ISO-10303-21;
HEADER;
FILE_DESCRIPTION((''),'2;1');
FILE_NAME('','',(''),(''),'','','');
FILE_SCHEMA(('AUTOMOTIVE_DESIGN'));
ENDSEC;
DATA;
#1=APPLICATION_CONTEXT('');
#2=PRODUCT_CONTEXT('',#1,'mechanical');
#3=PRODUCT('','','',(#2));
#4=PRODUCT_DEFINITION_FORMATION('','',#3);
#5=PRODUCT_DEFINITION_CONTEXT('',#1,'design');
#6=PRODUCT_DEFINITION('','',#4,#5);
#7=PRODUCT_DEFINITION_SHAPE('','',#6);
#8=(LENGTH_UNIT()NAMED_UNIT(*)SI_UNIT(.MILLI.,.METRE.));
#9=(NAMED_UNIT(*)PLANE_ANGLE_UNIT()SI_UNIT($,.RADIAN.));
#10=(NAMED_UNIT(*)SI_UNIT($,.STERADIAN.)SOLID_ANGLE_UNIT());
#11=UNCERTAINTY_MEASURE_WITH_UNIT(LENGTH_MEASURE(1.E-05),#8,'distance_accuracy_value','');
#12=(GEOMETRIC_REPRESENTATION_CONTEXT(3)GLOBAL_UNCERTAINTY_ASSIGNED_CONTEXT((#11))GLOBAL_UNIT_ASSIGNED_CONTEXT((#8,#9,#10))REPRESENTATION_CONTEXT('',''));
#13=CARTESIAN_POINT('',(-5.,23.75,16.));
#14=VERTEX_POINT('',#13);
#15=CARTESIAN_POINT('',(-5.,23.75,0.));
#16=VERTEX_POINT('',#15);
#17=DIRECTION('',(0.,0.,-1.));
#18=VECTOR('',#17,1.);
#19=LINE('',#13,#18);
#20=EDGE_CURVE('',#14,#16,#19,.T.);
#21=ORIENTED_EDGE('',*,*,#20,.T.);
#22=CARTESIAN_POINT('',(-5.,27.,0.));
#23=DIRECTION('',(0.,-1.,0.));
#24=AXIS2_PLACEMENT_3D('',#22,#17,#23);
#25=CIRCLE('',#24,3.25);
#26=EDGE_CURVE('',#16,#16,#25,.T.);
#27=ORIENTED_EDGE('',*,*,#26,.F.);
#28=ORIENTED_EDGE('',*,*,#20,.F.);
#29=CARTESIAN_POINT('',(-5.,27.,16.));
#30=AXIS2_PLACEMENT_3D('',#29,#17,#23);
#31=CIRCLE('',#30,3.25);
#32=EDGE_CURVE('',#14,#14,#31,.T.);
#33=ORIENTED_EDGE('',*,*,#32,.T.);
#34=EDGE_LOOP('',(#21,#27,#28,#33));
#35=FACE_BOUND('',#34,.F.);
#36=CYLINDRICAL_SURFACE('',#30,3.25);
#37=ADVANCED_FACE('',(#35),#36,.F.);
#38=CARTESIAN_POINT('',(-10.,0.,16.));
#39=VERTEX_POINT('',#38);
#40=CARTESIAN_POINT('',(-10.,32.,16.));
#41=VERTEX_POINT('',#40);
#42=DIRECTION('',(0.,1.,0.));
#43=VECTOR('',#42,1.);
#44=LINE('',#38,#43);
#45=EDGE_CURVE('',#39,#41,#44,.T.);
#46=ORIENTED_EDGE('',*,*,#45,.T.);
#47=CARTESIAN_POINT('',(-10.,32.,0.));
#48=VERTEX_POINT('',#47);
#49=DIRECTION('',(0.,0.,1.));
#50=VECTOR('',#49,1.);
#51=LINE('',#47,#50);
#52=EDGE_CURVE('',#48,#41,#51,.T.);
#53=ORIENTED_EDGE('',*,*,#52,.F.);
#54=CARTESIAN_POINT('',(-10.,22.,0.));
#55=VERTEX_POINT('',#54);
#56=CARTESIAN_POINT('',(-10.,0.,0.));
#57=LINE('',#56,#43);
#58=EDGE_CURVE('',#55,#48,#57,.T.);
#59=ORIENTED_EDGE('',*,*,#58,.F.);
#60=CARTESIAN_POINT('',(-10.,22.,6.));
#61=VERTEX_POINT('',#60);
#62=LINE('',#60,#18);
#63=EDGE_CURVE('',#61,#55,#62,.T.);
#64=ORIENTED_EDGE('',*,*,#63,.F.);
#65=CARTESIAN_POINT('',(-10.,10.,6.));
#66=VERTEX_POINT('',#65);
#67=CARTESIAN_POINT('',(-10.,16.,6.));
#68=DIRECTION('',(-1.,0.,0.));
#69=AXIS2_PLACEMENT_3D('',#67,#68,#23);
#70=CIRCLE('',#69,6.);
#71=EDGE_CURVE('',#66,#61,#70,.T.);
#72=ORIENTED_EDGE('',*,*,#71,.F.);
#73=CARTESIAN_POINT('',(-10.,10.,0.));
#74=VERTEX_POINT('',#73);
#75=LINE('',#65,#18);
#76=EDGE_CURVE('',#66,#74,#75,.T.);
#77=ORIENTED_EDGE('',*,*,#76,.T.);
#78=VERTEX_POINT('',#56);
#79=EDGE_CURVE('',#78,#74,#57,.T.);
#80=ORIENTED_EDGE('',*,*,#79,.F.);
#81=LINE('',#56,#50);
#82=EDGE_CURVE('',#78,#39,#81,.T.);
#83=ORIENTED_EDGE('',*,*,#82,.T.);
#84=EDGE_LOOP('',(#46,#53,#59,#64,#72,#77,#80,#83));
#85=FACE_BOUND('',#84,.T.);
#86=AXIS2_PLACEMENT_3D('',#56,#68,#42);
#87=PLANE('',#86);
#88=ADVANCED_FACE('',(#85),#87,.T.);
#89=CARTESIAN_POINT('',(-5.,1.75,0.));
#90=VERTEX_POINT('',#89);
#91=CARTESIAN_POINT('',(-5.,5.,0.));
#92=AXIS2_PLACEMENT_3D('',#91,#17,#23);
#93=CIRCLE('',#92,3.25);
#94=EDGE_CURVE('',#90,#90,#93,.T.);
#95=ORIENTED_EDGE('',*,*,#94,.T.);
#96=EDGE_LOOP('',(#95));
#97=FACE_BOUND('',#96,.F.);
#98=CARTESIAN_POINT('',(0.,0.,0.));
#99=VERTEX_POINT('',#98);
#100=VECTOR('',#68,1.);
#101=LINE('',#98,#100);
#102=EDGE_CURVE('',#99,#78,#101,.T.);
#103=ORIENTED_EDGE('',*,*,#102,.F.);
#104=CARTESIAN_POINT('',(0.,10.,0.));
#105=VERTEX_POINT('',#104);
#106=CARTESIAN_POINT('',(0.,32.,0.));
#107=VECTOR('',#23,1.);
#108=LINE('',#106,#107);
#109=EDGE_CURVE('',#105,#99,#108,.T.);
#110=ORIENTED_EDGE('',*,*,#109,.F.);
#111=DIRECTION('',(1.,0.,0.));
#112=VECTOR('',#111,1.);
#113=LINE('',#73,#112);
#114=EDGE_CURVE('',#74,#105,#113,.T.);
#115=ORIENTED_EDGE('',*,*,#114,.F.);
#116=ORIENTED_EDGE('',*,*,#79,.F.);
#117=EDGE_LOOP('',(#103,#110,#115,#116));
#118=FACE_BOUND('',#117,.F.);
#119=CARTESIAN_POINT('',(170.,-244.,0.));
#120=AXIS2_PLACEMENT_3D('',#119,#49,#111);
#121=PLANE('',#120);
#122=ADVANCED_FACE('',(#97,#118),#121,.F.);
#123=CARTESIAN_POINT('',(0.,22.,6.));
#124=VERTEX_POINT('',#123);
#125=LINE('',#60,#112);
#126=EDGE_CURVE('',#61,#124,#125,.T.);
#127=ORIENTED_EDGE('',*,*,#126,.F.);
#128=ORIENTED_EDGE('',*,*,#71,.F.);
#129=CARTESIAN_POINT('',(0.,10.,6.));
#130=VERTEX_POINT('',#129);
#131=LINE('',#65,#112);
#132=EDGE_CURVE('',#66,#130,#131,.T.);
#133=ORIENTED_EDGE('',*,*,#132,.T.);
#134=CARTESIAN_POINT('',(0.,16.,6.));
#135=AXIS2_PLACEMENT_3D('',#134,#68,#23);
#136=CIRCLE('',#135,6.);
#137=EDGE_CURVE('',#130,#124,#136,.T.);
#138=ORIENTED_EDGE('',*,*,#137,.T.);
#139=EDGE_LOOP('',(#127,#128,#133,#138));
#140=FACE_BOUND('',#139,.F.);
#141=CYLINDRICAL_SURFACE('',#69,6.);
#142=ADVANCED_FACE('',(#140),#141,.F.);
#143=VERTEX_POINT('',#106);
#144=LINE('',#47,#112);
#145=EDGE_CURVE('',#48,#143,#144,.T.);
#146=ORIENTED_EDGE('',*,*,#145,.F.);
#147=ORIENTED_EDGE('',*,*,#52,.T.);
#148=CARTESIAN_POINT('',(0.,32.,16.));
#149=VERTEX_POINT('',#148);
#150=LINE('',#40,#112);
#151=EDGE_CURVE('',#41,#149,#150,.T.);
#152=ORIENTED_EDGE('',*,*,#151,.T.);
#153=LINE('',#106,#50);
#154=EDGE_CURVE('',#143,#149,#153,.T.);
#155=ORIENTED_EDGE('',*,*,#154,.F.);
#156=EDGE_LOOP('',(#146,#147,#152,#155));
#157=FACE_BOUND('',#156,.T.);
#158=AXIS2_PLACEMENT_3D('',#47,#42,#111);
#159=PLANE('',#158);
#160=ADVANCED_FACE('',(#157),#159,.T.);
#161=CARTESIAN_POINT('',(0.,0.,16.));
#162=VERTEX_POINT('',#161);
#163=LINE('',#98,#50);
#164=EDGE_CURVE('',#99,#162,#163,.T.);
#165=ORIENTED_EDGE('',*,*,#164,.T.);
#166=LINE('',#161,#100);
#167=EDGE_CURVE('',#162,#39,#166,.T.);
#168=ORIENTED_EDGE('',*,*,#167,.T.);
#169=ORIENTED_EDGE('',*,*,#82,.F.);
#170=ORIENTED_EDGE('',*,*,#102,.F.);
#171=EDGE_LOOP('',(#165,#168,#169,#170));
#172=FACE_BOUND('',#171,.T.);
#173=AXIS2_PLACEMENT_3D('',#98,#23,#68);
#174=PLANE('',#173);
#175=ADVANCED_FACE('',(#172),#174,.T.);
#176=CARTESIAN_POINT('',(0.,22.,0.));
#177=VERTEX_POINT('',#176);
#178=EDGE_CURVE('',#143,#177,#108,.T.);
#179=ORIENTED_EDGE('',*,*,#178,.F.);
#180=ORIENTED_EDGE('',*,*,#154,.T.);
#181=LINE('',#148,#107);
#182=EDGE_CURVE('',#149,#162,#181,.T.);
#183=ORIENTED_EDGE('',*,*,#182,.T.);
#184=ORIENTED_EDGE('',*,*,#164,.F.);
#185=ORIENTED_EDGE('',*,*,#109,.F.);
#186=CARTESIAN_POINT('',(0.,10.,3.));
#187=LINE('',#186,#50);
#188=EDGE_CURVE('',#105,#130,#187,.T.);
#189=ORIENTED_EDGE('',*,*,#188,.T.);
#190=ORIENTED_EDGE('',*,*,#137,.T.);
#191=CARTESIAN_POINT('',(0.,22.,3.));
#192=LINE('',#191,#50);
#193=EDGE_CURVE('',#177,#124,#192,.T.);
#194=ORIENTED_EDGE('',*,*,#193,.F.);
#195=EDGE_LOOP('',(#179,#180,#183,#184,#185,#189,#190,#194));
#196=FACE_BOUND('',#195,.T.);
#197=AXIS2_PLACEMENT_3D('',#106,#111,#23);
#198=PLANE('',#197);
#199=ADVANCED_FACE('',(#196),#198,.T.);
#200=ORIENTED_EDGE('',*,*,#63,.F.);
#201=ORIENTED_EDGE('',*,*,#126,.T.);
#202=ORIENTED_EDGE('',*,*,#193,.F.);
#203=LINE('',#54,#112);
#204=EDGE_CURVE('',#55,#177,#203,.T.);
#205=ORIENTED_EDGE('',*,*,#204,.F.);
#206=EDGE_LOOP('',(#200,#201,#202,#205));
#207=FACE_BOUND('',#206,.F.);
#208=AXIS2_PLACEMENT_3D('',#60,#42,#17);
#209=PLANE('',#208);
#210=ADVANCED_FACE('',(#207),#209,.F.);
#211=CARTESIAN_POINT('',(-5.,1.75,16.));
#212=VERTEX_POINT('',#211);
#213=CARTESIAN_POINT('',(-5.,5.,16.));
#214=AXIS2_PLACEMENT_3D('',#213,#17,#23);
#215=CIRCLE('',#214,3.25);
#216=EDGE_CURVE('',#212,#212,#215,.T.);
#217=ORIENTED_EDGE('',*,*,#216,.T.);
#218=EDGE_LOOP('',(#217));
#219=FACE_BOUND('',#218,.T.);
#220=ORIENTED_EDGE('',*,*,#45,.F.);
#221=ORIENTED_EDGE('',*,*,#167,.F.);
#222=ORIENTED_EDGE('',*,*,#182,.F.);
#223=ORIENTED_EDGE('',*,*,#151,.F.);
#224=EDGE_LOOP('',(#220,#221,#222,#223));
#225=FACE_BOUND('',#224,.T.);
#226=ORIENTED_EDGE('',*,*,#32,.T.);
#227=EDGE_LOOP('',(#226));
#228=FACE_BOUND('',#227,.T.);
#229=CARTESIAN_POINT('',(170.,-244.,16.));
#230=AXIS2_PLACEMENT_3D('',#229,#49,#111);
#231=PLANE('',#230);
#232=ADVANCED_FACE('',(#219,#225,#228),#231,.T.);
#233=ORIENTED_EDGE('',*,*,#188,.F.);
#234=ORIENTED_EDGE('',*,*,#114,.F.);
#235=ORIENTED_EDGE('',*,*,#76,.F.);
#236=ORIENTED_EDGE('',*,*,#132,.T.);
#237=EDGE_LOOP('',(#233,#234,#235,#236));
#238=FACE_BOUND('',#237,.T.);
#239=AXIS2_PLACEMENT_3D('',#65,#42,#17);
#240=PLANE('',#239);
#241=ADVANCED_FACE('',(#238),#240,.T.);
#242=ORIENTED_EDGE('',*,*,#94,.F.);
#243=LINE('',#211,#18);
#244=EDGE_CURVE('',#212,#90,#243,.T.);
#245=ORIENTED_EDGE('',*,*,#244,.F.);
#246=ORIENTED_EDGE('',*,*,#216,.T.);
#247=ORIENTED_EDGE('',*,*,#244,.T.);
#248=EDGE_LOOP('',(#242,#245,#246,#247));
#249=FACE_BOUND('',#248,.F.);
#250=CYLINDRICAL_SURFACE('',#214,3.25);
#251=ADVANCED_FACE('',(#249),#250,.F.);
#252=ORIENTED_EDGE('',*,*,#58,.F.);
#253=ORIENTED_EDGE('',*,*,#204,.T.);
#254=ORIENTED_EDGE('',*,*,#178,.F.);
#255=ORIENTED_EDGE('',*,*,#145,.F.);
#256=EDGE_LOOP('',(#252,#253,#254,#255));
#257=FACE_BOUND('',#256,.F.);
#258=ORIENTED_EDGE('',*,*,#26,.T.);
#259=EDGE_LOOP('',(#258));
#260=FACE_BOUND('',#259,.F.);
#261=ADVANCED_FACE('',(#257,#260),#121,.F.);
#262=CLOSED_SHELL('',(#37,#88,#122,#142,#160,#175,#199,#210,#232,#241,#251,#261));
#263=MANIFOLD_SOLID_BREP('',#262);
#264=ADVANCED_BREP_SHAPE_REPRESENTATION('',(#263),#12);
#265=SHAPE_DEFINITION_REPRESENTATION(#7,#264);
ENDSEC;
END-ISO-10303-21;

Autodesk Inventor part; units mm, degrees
ref_plane "YZ Plane" through (0, 0, 0) normal (1, 0, 0) x (0, 1, 0)
ref_plane "XZ Plane" through (0, 0, 0) normal (0, 1, 0) x (-1, 0, 0)
ref_plane "XY Plane" through (0, 0, 0) normal (0, 0, 1) x (1, 0, 0)
ref_plane "Work Plane1" through (170, -244, 0) normal (0, 0, 1) x (1, 0, 0)
sketch "Sketch1" plane through (170, -244, 0) normal (0, 0, 1) x (1, 0, 0)
  line L0 (-170, 244) -> (-180, 244)
  line L1 (-180, 244) -> (-180, 276)
  line L2 (-180, 276) -> (-170, 276)
  line L3 (-170, 276) -> (-170, 244)
  dimension "d0" = 10
  dimension "d1" = 32
extrude "Extrusion1" add sketch "Sketch1" along normal blind 16
sketch "Sketch2" plane through (-10, 0, 0) normal (-1, 0, 0) x (0, 0, 1)
  arc A0 (6, 10) -> (6, 22) centre (6, 16) ccw
  line L0 (0, 32) -> (16, 32) projected
  line L1 (0, 38.4) -> (0, -6.4) projected
  line L2 (6, 10) -> (0, 10)
  line L3 (0, 32) -> (0, 0) projected
  line L4 (6, 22) -> (0, 22)
  line L5 (0, 10) -> (0, 22)
  dimension "d4" = 12
  dimension "d5" = 16
  dimension "d6" = 6
extrude "Extrusion2" cut sketch "Sketch2" against normal blind 16
sketch "Sketch3" plane through (170, -244, 16) normal (0, 0, 1) x (1, 0, 0)
  line L0 (-170, 244) -> (-170, 276) projected
  line L1 (-170, 276) -> (-180, 276) projected
  line L2 (-180, 244) -> (-170, 244) projected
  point P0 (-175, 249)
  point P1 (-175, 271)
  dimension "d9" = 5
  dimension "d10" = 5
  dimension "d11" = 5
  dimension "d12" = 5
hole "Hole1" at (-5, 5, 16) at (-5, 27, 16) direction (0, 0, -1) diameter 6.5 end through all
properties part number "U_OS"
